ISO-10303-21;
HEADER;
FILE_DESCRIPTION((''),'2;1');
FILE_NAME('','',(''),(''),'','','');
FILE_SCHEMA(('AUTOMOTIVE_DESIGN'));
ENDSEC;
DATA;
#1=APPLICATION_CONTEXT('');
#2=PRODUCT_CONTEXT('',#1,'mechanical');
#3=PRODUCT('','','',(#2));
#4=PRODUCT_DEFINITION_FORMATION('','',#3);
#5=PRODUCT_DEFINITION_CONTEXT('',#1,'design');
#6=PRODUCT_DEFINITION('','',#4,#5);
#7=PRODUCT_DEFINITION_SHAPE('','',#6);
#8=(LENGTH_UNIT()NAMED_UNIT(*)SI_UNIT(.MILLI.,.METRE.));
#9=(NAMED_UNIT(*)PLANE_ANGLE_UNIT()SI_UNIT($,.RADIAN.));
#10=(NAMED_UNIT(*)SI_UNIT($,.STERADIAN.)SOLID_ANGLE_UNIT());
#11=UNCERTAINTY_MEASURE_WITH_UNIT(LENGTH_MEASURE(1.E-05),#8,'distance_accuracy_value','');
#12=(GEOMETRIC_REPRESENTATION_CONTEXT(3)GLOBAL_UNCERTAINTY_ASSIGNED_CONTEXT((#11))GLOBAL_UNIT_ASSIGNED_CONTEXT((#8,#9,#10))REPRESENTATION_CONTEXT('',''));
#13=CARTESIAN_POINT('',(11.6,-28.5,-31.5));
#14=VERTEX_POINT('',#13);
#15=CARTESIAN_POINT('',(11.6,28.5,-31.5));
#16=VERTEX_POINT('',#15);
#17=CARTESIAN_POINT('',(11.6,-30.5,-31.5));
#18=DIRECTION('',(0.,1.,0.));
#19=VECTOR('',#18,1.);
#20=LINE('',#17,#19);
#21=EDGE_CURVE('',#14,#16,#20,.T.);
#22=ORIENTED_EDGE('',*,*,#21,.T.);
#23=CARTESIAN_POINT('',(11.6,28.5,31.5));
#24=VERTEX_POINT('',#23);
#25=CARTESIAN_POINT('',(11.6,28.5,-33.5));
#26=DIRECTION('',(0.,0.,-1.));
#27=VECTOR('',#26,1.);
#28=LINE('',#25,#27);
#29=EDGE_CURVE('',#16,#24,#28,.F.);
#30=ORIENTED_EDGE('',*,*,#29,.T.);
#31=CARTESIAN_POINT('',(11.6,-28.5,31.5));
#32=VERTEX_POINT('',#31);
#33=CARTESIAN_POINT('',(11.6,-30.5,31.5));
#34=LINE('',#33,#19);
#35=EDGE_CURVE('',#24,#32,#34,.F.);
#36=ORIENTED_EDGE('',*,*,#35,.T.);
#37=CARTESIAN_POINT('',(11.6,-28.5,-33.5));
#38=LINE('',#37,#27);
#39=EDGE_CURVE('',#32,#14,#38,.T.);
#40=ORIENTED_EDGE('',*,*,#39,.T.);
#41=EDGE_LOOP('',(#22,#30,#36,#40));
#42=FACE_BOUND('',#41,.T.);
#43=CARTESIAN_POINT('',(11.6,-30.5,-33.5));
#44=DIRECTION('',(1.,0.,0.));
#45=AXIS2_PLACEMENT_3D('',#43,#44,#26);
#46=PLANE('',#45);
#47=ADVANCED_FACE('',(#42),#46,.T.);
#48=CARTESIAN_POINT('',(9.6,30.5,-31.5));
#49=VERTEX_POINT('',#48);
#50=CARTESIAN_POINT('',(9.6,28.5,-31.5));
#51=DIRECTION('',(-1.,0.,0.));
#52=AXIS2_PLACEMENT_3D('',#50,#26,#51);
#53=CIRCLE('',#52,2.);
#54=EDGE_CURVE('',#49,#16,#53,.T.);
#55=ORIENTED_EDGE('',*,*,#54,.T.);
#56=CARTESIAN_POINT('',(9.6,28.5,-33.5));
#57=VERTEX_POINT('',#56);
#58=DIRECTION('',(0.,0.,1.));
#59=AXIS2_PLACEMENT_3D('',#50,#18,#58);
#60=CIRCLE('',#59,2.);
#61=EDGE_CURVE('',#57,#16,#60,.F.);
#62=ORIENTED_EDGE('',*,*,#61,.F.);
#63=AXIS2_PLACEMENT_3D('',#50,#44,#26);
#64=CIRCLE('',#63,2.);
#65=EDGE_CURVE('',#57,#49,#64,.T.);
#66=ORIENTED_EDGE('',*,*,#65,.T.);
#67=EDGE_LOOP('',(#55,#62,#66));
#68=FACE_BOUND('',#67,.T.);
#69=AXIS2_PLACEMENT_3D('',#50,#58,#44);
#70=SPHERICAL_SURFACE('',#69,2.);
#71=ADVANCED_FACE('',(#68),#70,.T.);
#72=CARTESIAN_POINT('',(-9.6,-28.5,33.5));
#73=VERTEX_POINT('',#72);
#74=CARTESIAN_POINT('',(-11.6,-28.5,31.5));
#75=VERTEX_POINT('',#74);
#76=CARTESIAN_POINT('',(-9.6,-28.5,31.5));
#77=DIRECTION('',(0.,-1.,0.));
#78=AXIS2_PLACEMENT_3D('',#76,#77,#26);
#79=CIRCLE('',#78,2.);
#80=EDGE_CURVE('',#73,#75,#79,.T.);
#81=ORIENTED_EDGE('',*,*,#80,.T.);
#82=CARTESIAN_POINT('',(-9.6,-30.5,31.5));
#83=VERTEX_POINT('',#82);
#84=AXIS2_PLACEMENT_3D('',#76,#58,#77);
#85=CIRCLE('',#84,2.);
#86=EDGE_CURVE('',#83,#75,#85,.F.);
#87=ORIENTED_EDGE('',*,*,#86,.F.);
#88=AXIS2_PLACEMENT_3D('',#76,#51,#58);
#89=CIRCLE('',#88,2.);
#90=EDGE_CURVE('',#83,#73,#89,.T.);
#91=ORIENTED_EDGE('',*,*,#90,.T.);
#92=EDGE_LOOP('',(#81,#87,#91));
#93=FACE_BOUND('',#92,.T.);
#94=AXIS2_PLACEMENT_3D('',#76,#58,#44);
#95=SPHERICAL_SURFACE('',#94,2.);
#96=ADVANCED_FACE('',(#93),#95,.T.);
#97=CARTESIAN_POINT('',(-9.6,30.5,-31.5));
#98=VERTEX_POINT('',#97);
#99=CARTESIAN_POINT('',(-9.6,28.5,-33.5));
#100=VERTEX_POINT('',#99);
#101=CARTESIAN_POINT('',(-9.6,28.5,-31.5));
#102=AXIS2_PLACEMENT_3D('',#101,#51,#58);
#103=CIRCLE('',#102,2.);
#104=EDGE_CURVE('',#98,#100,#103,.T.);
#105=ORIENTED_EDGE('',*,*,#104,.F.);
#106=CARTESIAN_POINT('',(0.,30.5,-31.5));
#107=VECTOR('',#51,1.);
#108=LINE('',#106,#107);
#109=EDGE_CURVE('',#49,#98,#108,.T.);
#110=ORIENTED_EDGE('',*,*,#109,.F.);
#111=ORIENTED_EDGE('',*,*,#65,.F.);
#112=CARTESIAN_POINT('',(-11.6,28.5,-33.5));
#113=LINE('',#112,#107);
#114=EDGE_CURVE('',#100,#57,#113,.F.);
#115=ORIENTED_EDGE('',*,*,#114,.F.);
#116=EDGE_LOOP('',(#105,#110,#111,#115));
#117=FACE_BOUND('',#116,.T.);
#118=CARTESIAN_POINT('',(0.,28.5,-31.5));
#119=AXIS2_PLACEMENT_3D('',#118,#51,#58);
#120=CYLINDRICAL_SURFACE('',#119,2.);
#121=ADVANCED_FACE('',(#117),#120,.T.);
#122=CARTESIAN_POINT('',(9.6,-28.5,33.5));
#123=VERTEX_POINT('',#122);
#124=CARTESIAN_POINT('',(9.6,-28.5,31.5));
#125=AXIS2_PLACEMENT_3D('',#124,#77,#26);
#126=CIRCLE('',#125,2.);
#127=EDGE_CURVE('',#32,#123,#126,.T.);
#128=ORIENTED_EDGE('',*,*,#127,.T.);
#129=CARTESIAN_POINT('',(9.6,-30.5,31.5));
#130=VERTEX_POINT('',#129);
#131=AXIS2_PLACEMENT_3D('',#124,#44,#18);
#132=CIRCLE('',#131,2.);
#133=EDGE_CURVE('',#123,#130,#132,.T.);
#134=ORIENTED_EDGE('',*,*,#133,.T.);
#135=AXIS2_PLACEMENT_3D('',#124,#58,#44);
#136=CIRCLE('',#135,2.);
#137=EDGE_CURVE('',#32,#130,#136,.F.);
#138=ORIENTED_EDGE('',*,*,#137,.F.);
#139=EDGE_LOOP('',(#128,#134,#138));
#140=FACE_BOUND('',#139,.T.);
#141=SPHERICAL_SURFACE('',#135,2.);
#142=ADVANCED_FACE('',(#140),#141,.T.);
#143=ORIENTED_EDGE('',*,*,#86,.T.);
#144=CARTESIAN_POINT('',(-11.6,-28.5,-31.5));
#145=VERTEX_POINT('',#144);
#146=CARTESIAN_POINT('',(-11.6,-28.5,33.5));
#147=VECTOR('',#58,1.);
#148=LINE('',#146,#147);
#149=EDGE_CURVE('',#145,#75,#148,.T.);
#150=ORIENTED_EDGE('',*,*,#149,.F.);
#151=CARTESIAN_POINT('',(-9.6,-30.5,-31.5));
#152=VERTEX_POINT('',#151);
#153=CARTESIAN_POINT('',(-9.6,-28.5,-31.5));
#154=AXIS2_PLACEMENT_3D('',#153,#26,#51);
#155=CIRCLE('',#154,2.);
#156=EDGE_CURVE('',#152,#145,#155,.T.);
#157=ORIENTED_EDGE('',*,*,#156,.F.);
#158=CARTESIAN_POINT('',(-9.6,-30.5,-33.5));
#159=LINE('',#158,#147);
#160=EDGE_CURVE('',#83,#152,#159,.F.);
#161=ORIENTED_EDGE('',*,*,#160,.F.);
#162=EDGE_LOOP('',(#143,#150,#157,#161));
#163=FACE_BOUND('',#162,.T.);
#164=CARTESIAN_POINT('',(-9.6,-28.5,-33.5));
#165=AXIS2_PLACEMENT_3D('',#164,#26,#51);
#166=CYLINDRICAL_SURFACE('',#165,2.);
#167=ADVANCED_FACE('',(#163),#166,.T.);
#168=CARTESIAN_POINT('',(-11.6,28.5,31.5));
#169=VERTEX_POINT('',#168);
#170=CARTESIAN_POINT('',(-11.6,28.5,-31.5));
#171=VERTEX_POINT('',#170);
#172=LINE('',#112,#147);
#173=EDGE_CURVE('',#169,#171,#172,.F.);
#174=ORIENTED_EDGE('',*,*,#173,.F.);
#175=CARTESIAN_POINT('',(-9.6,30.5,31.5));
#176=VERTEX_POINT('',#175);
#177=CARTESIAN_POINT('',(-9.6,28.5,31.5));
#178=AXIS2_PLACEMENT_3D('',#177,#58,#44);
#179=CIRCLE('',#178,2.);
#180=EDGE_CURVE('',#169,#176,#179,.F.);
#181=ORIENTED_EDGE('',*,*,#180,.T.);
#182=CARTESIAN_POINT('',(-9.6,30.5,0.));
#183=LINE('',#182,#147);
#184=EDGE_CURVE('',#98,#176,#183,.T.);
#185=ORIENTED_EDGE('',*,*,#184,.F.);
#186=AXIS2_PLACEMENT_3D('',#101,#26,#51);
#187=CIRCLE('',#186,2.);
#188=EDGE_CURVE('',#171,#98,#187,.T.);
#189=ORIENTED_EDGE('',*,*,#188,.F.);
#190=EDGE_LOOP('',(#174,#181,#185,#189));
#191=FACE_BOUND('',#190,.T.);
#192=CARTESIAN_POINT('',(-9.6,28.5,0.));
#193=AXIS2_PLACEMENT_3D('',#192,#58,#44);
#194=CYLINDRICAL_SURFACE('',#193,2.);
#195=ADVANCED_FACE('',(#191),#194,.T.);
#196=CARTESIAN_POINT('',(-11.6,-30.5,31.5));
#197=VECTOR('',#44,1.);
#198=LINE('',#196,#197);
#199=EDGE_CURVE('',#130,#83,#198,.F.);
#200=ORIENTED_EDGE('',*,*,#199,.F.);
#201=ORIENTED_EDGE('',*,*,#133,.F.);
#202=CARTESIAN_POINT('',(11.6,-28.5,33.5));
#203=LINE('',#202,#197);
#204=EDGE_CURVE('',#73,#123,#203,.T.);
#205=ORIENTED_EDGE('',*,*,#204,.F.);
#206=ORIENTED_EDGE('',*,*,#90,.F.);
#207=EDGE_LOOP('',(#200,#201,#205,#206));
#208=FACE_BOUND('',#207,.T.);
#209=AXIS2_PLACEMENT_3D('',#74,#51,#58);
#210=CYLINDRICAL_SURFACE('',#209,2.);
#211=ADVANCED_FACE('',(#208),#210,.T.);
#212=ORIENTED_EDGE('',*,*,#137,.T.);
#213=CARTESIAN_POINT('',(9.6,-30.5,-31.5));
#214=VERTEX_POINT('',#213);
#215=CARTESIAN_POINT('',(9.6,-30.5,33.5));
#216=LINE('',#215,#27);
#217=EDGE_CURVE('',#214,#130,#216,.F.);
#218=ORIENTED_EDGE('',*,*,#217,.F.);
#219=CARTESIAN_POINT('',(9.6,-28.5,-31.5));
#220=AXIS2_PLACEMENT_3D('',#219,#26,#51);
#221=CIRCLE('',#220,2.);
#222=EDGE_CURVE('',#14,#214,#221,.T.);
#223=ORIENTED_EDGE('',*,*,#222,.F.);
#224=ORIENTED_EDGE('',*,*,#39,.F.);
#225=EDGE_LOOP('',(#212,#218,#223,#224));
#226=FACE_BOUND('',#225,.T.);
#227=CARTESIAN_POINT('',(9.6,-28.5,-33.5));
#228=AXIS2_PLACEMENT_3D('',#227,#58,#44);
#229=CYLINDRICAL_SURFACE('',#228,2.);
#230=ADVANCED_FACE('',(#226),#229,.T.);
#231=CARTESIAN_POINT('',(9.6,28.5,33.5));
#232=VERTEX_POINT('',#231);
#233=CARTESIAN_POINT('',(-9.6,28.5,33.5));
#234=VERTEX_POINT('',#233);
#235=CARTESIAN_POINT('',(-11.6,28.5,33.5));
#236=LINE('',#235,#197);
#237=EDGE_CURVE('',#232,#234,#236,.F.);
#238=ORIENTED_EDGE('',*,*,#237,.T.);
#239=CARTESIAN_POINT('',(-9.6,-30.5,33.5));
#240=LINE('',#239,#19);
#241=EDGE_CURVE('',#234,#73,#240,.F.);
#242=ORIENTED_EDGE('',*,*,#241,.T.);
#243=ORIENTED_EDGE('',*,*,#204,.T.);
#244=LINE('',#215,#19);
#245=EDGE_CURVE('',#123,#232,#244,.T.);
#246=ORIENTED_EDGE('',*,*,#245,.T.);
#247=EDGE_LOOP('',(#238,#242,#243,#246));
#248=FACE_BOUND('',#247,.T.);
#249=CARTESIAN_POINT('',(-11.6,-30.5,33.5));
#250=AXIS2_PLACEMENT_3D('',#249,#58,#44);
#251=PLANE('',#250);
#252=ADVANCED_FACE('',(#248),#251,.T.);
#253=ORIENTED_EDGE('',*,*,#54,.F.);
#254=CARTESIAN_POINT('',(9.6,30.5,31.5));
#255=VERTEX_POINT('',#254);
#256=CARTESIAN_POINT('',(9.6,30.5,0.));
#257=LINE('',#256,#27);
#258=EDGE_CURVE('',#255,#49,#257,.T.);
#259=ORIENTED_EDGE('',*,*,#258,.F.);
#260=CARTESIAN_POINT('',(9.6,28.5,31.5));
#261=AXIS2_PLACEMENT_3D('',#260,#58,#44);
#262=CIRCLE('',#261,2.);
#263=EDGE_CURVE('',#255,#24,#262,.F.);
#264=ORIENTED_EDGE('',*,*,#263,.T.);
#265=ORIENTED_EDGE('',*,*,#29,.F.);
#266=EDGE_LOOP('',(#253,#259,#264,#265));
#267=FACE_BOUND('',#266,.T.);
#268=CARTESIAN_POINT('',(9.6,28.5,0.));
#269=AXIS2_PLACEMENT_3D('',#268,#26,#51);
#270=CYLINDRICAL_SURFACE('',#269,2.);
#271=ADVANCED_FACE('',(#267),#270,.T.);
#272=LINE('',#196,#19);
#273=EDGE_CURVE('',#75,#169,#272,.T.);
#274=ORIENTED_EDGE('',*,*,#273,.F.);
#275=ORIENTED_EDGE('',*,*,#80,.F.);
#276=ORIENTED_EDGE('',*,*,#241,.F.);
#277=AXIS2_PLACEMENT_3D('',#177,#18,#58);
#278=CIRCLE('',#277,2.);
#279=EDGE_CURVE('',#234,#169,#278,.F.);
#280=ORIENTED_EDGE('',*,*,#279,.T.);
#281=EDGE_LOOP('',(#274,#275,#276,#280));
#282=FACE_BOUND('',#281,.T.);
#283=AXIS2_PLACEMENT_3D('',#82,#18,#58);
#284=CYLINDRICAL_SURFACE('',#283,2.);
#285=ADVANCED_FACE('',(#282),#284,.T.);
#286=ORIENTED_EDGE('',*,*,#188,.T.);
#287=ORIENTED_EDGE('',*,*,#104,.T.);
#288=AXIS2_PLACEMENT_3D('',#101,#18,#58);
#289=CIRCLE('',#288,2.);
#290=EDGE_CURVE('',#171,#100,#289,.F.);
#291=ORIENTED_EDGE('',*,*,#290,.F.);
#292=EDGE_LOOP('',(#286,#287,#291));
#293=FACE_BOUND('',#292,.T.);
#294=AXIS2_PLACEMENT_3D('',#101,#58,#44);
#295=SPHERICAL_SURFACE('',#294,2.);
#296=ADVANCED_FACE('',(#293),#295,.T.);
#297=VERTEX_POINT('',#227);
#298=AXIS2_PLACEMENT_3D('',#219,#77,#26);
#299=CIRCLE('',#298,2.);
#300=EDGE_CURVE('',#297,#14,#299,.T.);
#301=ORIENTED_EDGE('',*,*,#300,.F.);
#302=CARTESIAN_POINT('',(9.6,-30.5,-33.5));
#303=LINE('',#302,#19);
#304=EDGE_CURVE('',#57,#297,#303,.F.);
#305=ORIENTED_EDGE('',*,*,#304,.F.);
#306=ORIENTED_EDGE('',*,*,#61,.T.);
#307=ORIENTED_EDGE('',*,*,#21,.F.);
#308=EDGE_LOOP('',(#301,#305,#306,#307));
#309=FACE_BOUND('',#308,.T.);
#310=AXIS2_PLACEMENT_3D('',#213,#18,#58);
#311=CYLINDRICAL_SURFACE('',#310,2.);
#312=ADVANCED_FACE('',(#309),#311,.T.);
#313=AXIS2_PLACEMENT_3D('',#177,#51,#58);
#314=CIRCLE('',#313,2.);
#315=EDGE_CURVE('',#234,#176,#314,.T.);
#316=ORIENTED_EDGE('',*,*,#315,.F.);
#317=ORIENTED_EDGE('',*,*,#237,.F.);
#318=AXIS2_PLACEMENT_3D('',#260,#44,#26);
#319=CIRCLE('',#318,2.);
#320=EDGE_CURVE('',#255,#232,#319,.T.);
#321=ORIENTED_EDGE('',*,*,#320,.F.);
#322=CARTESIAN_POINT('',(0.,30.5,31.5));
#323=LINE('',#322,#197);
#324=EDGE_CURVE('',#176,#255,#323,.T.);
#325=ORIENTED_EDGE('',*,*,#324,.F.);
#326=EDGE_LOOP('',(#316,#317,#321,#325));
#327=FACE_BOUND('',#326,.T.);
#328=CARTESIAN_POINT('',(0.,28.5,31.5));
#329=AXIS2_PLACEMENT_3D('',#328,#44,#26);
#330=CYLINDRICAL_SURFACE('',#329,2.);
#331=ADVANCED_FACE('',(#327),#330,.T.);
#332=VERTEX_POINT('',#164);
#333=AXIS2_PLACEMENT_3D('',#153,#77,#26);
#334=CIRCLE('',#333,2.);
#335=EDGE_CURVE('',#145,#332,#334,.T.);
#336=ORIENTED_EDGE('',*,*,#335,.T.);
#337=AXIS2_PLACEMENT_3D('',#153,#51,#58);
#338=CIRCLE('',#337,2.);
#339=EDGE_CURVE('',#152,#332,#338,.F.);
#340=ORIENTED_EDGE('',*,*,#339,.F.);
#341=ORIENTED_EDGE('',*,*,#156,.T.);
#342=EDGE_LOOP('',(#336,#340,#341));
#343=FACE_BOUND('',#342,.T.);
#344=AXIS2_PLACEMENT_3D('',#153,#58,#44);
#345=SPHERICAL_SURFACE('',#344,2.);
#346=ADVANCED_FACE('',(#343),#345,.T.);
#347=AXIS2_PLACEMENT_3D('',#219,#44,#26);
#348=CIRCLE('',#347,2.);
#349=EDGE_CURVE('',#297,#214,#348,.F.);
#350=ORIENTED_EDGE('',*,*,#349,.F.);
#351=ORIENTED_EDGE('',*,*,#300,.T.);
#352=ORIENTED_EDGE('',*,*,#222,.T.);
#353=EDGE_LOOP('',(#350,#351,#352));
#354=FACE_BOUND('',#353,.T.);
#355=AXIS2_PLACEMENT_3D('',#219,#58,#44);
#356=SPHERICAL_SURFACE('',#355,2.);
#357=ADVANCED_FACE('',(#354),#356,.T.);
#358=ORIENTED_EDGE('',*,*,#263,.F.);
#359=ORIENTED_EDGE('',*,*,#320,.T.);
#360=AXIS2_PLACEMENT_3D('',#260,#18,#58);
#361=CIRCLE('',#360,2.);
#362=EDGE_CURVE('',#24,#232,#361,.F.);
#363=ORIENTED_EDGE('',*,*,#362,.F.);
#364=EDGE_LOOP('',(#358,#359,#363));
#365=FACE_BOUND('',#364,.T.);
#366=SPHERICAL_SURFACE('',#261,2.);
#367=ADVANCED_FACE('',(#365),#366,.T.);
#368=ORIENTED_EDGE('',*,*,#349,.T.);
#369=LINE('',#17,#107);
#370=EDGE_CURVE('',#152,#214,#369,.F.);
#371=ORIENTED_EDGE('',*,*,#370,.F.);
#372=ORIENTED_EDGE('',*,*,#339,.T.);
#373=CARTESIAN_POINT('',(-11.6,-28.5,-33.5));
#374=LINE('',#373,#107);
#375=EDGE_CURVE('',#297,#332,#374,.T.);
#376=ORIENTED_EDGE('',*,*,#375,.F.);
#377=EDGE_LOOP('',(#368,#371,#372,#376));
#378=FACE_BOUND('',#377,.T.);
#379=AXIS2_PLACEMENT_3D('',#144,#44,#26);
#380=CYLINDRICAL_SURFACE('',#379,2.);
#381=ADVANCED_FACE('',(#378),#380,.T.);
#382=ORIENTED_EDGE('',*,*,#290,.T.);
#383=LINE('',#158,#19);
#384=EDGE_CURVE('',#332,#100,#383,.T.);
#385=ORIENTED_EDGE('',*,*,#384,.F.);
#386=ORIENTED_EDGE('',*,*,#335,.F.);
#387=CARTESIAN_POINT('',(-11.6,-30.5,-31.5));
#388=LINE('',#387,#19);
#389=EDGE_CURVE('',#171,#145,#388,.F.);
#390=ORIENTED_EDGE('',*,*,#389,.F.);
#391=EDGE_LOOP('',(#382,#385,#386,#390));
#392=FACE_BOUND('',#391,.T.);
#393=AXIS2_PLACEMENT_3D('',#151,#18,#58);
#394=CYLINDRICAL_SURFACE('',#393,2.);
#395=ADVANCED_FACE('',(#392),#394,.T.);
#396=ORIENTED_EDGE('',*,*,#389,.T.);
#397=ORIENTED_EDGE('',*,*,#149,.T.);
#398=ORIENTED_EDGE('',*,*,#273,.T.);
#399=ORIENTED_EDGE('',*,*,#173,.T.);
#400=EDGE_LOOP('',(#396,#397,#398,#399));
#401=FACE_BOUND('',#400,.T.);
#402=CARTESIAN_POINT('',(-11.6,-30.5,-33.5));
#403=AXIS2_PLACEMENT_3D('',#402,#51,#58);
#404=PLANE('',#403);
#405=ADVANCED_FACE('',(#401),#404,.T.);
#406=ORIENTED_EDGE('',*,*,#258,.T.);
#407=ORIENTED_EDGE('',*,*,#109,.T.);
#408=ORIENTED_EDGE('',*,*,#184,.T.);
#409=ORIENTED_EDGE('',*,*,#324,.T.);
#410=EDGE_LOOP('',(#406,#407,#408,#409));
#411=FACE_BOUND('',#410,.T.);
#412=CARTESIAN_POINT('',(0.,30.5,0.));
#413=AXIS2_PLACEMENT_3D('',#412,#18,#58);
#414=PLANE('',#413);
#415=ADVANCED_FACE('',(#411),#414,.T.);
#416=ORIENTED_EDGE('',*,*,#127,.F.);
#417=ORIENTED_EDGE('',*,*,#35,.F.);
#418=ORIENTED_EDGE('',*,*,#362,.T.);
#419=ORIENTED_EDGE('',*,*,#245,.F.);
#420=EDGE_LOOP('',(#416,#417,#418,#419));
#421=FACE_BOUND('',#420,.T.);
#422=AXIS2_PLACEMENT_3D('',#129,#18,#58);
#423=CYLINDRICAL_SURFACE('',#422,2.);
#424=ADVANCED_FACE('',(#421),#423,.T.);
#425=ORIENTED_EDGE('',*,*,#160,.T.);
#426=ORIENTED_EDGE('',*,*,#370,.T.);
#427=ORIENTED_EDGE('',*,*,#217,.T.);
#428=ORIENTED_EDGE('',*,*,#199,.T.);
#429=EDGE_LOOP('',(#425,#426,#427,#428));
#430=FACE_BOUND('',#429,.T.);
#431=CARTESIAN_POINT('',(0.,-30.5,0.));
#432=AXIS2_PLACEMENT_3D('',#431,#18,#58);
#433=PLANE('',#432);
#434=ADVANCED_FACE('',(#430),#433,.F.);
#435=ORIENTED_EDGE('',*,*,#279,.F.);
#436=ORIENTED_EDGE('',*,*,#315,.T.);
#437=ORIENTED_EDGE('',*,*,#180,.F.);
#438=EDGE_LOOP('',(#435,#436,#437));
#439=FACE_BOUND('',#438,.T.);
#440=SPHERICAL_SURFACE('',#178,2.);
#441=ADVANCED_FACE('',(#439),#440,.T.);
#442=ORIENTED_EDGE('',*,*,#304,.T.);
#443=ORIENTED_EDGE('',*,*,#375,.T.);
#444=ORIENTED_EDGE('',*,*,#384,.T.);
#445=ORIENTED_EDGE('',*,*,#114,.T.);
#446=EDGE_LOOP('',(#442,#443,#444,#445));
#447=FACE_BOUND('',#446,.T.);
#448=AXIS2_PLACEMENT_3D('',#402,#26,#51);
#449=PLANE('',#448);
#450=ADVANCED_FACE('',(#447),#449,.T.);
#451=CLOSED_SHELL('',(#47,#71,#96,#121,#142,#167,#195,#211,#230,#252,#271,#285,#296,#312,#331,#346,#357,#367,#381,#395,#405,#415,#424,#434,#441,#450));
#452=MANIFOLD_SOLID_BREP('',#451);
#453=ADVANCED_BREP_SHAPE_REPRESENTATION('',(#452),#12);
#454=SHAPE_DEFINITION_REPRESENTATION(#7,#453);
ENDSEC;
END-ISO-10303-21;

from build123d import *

# Parameters (mm, degrees)
EXTRUDE_1_DEPTH      = 30.5
EXTRUDE_1_DEPTH_BACK = 30.5
SKETCH_1_W           = 23.2
SKETCH_1_H           = 67
FILLET_2_R           = 2


with BuildPart() as part:
    # Эскиз1 → Бобышка-Вытянуть1 (new, two sides: drawn at the far end of the back side and taken through both)
    with BuildSketch(Plane(origin=(0, 0, 0), x_dir=(1, 0, 0), z_dir=(0, 1, 0)).offset(-EXTRUDE_1_DEPTH_BACK)):
        Rectangle(SKETCH_1_W, SKETCH_1_H)
    extrude(amount=EXTRUDE_1_DEPTH + EXTRUDE_1_DEPTH_BACK)

    # Скругление2
    fillet_2_edges = [part.edges().sort_by_distance(p)[0] for p in [
        (-11.6, -30.5, 0),
        (11.6, 30.5, 0),
        (0, 30.5, -33.5),
        (0, -30.5, 33.5),
        (-11.6, 30.5, 0),
        (0, 30.5, 33.5),
        (11.6, -30.5, 0),
        (0, -30.5, -33.5),
        (11.6, 0, 33.5),
        (-11.6, 0, 33.5),
        (-11.6, 0, -33.5),
        (11.6, 0, -33.5),
    ]]
    fillet(fillet_2_edges, radius=FILLET_2_R)


solid = part.part
